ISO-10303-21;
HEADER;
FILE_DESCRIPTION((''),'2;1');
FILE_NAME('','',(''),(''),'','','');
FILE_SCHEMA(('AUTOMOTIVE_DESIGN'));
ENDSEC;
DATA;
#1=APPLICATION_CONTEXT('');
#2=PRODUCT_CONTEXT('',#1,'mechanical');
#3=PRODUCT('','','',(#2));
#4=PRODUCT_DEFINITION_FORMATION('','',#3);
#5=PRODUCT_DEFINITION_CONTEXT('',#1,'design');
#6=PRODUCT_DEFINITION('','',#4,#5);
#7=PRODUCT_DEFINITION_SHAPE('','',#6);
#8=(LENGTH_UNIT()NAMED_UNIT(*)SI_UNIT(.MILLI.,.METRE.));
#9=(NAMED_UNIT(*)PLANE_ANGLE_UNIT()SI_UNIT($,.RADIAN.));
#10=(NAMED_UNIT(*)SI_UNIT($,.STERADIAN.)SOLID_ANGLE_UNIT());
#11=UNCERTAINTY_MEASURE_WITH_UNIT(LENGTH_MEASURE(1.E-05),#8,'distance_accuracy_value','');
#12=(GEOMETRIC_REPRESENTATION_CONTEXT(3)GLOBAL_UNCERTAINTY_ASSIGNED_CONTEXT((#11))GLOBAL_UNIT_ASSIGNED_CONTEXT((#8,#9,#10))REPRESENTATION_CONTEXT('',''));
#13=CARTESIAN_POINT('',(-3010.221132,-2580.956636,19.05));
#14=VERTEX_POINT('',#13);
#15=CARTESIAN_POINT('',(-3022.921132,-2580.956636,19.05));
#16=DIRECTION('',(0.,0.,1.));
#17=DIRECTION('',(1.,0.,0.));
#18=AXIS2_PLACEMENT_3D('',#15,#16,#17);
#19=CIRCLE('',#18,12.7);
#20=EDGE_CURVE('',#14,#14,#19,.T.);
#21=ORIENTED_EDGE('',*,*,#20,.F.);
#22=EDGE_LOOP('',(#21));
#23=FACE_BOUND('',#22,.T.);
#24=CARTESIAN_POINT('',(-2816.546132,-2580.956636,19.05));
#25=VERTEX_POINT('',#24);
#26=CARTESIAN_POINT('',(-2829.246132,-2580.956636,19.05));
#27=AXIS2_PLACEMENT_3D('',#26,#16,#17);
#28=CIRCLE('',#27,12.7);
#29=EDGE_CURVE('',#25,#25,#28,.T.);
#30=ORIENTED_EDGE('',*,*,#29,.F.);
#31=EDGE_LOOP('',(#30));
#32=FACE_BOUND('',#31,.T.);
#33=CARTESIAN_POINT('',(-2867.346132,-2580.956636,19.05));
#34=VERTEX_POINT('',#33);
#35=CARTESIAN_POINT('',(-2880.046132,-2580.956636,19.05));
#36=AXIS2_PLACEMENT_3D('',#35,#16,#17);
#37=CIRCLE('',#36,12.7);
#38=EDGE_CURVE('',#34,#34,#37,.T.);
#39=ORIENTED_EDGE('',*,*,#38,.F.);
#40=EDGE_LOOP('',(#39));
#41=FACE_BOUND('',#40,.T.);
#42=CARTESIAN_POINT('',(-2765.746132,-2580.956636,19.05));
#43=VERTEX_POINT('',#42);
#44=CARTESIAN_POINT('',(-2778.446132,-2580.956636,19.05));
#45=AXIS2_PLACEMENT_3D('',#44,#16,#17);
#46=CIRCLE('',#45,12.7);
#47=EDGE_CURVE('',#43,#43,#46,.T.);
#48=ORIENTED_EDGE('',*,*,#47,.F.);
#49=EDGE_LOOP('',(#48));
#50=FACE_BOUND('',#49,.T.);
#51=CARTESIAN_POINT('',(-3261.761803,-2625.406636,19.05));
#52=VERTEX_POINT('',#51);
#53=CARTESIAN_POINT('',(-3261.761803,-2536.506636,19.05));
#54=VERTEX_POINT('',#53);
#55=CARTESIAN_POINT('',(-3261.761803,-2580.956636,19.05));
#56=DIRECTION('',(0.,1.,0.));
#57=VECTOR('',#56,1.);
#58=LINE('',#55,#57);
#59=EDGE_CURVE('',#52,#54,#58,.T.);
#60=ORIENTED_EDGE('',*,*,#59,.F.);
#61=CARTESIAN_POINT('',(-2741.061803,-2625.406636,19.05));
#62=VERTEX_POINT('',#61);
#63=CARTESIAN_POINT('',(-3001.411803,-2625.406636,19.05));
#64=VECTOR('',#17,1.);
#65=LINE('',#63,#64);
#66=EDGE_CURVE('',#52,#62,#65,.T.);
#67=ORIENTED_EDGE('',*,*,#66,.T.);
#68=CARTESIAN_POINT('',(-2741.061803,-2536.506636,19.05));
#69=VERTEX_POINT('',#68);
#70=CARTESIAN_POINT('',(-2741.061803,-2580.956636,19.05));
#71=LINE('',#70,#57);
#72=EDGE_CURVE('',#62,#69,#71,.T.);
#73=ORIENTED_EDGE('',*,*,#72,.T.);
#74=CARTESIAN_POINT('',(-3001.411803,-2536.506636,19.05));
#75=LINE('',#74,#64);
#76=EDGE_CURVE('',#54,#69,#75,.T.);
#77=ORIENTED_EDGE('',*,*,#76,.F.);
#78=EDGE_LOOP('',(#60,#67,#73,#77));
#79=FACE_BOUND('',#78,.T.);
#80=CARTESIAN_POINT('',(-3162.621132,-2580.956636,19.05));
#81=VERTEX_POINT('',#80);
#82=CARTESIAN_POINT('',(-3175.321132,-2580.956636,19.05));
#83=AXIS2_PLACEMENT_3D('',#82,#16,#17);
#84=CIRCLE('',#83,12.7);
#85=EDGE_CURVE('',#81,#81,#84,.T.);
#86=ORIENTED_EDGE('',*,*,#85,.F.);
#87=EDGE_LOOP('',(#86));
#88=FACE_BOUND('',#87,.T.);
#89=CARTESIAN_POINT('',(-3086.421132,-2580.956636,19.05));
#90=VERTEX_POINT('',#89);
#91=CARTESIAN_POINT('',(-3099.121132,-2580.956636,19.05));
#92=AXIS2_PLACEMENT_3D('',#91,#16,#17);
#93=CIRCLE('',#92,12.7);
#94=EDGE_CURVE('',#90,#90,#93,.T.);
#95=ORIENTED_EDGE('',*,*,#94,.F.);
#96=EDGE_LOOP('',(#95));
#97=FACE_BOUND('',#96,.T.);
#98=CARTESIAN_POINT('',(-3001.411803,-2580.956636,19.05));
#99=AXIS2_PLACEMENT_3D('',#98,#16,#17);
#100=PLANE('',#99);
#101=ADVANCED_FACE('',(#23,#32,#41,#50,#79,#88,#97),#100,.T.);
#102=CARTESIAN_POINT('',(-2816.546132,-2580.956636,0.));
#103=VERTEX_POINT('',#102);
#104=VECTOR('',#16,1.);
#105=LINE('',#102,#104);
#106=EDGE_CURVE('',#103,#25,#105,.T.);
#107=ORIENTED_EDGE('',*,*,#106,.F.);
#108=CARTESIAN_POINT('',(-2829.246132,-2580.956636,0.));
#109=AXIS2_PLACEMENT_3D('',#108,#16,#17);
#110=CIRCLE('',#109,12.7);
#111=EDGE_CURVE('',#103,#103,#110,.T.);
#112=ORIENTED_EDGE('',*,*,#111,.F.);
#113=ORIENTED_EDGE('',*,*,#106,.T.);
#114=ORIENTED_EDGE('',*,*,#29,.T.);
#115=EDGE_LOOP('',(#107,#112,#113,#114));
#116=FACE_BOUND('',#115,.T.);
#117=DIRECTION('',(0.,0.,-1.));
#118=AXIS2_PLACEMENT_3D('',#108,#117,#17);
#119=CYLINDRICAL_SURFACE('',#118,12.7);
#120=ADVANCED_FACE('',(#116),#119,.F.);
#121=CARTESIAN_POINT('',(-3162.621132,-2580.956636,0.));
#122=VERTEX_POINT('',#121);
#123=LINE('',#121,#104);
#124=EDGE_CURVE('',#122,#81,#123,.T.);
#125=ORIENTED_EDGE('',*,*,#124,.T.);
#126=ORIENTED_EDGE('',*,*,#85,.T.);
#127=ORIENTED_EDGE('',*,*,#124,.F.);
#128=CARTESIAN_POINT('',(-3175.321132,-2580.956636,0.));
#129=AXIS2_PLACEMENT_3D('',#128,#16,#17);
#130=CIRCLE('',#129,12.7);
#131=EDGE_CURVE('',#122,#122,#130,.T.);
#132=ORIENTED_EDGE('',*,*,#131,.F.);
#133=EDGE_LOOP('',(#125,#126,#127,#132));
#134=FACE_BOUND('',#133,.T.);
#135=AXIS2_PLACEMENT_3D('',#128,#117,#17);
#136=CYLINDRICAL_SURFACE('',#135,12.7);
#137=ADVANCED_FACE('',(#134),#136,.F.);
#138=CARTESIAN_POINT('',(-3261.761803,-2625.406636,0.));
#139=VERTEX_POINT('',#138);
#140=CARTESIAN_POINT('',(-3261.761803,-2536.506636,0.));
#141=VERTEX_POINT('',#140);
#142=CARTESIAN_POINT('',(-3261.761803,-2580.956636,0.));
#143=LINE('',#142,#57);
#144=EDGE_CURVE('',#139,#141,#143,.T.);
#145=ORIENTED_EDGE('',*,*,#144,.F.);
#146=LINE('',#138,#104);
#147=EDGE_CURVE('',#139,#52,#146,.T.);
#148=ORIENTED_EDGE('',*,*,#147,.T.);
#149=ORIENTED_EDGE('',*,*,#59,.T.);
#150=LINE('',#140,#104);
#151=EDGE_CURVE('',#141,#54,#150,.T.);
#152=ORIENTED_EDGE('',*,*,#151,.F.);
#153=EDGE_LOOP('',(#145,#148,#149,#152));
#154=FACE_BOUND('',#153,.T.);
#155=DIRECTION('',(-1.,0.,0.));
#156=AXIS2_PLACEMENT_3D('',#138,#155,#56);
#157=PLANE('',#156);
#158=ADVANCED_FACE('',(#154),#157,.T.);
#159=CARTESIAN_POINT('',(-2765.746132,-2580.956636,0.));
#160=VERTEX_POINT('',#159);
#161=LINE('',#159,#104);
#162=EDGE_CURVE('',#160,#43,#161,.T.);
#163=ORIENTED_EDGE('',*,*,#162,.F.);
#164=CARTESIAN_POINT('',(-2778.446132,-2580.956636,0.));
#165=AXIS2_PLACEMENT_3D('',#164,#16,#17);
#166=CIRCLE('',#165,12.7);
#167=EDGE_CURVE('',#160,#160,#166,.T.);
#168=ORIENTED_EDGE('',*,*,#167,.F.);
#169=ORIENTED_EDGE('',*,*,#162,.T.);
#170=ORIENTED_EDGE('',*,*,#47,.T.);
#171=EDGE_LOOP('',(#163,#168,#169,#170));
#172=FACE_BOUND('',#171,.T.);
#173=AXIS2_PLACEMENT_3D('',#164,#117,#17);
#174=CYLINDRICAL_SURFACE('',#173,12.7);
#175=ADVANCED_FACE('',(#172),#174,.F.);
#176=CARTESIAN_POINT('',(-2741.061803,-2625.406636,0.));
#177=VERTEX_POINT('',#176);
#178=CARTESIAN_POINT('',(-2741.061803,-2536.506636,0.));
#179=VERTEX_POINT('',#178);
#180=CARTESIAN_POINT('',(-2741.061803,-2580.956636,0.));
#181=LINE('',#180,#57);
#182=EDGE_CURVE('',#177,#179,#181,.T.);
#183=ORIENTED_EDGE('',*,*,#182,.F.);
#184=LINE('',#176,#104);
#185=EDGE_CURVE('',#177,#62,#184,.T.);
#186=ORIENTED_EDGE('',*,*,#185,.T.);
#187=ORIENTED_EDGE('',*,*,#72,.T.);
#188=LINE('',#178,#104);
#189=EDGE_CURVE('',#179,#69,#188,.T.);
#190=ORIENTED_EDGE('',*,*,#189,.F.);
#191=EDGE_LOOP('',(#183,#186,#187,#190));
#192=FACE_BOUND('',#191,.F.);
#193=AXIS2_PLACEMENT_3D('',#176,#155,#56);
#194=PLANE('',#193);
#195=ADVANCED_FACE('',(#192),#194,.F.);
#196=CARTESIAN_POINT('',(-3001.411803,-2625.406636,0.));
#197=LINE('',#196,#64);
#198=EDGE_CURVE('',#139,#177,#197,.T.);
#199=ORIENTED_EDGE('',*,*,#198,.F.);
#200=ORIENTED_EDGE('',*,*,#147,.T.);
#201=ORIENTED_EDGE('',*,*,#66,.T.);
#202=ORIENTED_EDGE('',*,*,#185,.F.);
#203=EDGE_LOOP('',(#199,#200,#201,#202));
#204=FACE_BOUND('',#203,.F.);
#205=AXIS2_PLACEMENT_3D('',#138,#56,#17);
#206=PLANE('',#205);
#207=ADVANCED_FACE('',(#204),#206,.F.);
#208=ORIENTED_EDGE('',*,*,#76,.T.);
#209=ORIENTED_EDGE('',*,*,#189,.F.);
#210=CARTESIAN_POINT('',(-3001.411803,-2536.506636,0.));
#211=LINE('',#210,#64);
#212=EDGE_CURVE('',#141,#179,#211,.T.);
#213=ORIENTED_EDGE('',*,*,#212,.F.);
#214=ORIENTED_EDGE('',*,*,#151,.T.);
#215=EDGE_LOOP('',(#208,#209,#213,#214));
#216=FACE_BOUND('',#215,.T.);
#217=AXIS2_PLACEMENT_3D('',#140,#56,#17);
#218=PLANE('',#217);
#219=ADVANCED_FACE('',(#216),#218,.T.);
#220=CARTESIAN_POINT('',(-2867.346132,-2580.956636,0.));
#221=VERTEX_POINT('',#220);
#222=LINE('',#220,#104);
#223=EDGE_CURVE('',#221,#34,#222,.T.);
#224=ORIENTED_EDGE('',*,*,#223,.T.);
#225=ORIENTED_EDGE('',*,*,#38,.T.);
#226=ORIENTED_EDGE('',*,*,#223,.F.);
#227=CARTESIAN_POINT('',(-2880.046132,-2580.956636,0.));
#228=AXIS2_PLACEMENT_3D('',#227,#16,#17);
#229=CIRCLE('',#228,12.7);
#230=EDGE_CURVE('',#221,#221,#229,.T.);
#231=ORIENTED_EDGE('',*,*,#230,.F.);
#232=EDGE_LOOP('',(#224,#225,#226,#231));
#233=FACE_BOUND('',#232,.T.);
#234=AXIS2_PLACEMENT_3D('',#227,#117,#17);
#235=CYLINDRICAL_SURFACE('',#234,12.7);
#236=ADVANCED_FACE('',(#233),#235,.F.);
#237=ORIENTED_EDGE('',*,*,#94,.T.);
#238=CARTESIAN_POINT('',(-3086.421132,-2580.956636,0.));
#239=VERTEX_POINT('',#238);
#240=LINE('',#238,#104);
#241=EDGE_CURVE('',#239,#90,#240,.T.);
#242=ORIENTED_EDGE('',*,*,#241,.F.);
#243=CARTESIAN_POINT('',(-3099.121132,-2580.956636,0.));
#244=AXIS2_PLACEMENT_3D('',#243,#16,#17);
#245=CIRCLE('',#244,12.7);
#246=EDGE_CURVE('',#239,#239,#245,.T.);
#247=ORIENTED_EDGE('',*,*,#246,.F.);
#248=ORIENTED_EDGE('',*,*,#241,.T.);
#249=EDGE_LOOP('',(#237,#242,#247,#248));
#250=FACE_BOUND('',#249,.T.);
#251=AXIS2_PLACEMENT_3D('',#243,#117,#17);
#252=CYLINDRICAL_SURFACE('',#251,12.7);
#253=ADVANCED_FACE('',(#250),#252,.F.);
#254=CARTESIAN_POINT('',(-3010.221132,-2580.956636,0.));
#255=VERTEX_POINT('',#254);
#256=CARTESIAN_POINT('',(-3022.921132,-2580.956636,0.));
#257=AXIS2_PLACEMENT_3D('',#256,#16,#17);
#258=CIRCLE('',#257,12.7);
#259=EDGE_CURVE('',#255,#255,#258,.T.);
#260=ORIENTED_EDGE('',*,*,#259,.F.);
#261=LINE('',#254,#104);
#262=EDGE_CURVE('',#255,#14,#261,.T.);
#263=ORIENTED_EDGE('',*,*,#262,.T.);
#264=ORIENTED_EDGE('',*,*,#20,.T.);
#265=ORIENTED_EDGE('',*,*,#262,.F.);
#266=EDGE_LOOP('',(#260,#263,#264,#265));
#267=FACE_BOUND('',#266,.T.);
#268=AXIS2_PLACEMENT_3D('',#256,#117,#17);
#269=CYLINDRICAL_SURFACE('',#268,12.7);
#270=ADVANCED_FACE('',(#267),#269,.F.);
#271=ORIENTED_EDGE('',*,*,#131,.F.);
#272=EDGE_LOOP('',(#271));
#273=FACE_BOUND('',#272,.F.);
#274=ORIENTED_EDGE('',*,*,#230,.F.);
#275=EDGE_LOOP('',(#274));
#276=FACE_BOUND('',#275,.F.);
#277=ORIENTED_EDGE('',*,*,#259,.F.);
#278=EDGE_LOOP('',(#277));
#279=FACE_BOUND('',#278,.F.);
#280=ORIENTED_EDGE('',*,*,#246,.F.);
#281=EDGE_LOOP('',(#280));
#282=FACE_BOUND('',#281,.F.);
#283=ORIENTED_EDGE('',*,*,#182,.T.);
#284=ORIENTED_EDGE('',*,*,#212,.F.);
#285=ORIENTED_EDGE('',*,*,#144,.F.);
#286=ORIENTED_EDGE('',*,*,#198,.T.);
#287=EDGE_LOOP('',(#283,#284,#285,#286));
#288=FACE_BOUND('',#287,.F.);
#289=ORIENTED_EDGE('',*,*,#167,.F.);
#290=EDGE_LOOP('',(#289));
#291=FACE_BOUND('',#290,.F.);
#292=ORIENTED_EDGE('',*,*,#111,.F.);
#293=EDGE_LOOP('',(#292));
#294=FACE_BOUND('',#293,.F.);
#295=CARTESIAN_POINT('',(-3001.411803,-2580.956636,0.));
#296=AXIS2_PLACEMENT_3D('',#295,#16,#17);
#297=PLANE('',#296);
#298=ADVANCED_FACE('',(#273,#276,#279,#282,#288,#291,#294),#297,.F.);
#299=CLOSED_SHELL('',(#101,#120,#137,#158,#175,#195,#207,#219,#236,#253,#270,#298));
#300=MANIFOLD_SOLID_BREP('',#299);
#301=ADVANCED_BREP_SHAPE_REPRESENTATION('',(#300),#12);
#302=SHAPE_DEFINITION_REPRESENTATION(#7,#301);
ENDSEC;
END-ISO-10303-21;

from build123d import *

# Parameters (mm, degrees)
F0_W     = 520.7
F0_H     = 88.9
F0_R     = 12.7
F1_DEPTH = 19.05


with BuildPart() as f1:
    # F0 (on Top) → F1 (new body)
    with BuildSketch(Plane.XY):
        with Locations((-3001.411803, -2580.956636)):
            Rectangle(F0_W, F0_H)
        with Locations((-3175.321132, -2580.956636)):
            Circle(F0_R, mode=Mode.SUBTRACT)
        with Locations((-3099.121132, -2580.956636)):
            Circle(F0_R, mode=Mode.SUBTRACT)
        with Locations((-3022.921132, -2580.956636)):
            Circle(F0_R, mode=Mode.SUBTRACT)
        with Locations((-2880.046132, -2580.956636)):
            Circle(F0_R, mode=Mode.SUBTRACT)
        with Locations((-2829.246132, -2580.956636)):
            Circle(F0_R, mode=Mode.SUBTRACT)
        with Locations((-2778.446132, -2580.956636)):
            Circle(F0_R, mode=Mode.SUBTRACT)
    extrude(amount=F1_DEPTH)


solid = f1.part
